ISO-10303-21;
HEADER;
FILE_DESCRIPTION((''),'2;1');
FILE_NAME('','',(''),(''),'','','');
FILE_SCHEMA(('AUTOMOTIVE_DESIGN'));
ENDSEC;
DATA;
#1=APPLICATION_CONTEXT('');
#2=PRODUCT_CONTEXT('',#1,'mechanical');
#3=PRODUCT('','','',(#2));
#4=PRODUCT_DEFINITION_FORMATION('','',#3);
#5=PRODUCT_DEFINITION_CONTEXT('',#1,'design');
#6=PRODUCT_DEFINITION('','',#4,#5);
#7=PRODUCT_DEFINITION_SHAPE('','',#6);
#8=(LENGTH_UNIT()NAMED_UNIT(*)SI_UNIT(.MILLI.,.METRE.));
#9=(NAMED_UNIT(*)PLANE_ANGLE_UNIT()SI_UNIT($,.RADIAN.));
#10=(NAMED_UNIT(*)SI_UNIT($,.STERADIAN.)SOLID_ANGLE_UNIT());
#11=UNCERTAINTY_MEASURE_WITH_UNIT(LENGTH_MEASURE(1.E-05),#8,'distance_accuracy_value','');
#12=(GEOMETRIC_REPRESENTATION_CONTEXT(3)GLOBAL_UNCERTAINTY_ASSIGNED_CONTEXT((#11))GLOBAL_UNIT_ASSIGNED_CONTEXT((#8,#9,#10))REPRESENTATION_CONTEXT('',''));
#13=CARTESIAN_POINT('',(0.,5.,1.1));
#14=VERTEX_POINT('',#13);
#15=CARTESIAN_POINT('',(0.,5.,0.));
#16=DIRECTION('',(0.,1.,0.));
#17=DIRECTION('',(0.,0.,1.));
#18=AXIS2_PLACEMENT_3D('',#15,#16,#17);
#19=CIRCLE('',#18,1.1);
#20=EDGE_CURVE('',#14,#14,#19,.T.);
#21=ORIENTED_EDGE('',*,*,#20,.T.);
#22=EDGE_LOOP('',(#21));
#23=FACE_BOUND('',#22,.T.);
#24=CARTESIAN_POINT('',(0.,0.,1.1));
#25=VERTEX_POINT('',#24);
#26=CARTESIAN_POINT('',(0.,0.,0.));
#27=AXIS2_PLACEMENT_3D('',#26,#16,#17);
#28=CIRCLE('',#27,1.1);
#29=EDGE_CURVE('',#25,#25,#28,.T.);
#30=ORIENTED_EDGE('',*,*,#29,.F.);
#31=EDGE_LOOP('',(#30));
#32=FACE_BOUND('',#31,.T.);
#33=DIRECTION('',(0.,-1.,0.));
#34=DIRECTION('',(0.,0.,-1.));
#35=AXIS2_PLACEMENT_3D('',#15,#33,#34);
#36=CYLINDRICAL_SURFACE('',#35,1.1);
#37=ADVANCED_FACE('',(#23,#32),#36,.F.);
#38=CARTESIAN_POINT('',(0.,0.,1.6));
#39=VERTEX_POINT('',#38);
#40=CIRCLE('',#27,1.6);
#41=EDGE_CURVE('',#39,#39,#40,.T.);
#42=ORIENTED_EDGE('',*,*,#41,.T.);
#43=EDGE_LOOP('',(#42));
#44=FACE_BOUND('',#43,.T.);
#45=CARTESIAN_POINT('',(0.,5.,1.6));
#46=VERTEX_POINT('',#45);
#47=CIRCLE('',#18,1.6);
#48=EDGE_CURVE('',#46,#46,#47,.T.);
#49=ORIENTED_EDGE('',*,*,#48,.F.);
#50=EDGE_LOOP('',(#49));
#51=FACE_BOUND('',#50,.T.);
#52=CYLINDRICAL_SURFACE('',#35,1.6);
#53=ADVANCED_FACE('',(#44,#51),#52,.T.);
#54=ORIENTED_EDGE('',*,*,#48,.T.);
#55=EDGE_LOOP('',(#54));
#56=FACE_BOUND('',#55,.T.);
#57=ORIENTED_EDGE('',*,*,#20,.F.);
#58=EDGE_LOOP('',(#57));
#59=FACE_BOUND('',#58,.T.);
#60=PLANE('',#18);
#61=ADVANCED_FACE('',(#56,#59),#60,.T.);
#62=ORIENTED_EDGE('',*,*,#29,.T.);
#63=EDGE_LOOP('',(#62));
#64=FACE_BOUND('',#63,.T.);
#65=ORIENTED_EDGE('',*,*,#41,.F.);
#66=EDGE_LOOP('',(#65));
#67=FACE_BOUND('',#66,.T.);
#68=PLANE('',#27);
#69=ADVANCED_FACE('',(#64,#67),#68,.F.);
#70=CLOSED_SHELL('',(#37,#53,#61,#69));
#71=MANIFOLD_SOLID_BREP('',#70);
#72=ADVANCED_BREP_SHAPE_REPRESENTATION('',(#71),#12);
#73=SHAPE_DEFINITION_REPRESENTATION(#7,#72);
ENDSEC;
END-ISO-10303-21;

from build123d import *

# Parameters (mm, degrees)
SKETCH1_R           = 1.6
SKETCH1_R_2         = 1.1
BOSS_EXTRUDE1_DEPTH = 5


with BuildPart() as part:
    # Sketch1 → Boss-Extrude1 (new body)
    with BuildSketch(Plane(origin=(0, 0, 0), x_dir=(1, 0, 0), z_dir=(0, 1, 0))):
        with Locations(Location((0, 0, 0), (0, 0, 270))):
            Circle(SKETCH1_R)
        with Locations(Location((0, 0, 0), (0, 0, 270))):
            Circle(SKETCH1_R_2, mode=Mode.SUBTRACT)
    extrude(amount=BOSS_EXTRUDE1_DEPTH)


solid = part.part
